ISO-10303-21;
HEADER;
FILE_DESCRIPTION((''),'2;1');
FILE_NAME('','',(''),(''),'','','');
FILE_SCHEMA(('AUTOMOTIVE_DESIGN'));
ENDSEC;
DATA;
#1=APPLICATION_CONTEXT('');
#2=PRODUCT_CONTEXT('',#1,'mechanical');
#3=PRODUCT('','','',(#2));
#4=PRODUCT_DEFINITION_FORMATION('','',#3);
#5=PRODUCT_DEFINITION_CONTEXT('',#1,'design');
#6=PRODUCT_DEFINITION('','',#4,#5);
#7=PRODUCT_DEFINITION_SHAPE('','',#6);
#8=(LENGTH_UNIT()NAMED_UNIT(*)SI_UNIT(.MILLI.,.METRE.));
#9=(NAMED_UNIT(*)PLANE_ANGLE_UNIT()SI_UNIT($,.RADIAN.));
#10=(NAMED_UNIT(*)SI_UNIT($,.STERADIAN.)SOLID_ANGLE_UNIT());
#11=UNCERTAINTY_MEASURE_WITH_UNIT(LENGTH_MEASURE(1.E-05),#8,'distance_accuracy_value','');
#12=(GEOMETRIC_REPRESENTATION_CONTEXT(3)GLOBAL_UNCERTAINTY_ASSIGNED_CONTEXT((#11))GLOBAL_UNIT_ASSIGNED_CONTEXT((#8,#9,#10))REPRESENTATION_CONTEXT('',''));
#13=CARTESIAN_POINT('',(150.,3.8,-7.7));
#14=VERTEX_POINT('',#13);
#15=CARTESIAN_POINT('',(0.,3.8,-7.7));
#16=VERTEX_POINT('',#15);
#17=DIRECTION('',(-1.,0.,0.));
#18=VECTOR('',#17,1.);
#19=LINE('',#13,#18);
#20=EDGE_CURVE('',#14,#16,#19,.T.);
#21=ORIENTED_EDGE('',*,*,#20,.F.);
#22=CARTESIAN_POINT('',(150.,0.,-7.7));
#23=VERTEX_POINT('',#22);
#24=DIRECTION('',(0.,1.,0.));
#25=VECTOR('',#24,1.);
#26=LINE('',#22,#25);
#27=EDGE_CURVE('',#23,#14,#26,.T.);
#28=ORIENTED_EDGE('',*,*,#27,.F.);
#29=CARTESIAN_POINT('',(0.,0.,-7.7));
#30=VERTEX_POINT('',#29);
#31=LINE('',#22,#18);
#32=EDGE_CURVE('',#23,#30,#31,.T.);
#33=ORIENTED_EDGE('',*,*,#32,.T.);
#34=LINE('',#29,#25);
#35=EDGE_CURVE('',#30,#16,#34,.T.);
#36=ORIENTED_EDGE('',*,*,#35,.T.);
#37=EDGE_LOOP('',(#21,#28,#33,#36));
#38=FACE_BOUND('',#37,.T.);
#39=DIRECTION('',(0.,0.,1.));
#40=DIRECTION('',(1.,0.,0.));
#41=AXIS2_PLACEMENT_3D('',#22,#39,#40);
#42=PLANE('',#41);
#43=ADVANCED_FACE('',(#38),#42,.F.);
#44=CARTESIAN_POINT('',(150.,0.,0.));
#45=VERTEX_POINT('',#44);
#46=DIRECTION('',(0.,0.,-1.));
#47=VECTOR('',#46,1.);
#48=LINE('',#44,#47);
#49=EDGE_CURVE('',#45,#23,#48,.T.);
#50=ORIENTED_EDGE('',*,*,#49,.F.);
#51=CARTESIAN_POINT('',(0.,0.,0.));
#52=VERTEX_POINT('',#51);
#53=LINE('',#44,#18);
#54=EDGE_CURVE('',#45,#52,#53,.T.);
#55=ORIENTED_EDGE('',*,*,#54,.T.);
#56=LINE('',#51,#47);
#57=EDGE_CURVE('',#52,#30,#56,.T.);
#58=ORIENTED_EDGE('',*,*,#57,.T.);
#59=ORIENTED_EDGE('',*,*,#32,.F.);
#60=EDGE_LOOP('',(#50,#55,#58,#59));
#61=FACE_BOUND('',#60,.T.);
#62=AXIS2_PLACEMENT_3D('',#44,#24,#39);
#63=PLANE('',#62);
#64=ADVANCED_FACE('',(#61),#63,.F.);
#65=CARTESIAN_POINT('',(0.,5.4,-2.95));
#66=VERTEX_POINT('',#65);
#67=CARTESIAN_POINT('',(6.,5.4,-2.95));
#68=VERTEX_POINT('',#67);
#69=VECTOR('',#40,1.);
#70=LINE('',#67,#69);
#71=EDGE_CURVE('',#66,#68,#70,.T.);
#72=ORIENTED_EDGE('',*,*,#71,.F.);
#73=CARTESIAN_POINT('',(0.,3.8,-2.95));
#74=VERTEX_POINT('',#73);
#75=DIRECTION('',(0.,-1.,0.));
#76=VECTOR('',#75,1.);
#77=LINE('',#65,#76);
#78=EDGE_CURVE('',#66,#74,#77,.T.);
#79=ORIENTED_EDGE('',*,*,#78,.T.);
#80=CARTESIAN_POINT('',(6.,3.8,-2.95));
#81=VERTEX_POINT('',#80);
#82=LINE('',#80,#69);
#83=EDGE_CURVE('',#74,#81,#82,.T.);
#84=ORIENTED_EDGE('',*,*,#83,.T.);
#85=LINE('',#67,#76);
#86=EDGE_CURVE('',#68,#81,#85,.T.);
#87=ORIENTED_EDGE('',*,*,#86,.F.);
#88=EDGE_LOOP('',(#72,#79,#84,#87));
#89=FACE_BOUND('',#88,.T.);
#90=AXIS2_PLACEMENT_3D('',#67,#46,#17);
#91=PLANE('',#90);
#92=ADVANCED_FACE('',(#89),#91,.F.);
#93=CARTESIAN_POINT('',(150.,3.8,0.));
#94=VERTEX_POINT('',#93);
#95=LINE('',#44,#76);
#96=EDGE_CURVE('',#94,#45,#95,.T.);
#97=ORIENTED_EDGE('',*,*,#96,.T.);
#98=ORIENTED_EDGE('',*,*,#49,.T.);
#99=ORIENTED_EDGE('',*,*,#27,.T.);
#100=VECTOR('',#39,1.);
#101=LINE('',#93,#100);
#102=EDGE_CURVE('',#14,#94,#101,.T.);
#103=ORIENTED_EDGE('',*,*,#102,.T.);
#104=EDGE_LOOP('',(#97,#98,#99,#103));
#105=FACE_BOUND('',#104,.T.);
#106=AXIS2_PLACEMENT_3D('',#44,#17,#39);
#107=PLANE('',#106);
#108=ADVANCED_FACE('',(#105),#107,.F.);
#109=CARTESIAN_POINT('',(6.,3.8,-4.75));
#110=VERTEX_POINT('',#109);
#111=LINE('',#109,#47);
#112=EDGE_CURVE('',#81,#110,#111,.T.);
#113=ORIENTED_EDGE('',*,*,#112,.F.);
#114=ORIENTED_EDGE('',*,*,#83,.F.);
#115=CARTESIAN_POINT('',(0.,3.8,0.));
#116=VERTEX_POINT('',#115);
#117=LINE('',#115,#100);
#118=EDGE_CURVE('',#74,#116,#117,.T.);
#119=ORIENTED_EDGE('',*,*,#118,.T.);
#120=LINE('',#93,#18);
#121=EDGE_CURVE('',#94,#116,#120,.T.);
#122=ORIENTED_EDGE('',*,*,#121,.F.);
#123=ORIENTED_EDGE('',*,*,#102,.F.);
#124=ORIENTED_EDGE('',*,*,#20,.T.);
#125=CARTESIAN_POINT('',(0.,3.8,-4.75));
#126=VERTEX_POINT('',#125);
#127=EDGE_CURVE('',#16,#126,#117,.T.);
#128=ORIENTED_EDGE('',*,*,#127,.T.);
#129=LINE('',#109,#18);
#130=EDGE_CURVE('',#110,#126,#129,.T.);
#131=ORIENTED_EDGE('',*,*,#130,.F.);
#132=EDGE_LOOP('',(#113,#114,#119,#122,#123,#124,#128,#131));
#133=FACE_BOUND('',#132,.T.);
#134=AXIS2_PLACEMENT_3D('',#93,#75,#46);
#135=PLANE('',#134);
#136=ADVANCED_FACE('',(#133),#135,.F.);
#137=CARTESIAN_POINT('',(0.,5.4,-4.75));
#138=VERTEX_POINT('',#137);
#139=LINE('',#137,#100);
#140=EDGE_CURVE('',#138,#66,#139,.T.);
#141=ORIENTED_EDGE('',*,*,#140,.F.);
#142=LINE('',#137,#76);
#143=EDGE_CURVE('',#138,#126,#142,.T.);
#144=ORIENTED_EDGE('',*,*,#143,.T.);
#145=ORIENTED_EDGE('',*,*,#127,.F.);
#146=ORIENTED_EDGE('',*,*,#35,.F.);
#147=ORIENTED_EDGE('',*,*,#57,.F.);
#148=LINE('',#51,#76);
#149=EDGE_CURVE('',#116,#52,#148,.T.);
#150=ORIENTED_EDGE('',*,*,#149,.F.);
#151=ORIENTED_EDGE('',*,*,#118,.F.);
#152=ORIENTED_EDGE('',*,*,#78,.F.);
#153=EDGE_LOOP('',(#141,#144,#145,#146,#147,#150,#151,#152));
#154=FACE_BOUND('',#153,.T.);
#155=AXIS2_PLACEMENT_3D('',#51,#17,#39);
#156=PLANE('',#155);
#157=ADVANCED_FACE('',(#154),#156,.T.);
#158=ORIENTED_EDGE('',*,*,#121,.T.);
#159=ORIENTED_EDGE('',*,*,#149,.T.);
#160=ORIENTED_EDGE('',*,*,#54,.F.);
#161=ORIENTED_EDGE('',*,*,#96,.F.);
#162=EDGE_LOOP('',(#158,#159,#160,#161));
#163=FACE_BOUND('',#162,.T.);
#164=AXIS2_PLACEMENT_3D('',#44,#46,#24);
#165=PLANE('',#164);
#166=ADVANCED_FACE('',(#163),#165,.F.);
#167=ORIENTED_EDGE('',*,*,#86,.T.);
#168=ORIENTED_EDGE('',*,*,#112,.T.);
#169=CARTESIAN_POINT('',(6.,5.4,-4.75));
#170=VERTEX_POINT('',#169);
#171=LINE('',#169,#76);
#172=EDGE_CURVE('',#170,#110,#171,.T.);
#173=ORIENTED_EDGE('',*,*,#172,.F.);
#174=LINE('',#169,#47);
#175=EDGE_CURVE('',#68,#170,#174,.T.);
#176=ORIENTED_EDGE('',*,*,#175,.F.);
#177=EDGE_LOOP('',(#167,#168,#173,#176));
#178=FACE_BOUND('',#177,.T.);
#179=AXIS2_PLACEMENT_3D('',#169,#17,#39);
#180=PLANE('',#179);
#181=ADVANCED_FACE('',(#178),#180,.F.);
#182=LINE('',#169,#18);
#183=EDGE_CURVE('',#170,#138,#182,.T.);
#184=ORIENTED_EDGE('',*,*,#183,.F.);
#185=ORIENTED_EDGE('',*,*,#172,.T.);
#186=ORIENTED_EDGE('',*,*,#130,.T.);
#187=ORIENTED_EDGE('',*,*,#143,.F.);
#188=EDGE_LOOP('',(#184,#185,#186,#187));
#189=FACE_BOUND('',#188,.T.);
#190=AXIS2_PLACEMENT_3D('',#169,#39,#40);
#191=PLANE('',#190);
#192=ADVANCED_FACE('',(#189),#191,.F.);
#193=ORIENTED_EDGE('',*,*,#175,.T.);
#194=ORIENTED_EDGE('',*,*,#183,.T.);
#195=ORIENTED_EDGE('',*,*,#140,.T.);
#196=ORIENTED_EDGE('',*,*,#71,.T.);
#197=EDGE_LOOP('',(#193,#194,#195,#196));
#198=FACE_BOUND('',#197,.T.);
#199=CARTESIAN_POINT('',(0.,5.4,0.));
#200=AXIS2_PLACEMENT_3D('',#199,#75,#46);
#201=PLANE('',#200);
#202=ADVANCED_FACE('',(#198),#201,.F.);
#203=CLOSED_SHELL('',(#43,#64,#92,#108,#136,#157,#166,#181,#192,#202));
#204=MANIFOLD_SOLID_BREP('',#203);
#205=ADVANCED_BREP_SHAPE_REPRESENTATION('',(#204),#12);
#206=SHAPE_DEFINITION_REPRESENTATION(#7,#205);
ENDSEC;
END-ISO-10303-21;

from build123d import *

# Parameters (mm, degrees)
SKETCH1_W           = 7.7
SKETCH1_H           = 3.8
BOSS_EXTRUDE1_DEPTH = 150
SKETCH2_W           = 6
SKETCH2_H           = 1.8
BOSS_EXTRUDE2_DEPTH = 1.6


with BuildPart() as part:
    # Sketch1 → Boss-Extrude1 (new body)
    with BuildSketch(Plane(origin=(0, 0, 0), x_dir=(0, 0, -1), z_dir=(1, 0, 0))):
        with Locations((3.85, 1.9)):
            Rectangle(SKETCH1_W, SKETCH1_H)
    extrude(amount=BOSS_EXTRUDE1_DEPTH)

    # Sketch2 → Boss-Extrude2 (add)
    with BuildSketch(Plane(origin=(0, 3.8, 0), x_dir=(1, 0, 0), z_dir=(0, 1, 0))):
        with Locations((3, 3.85)):
            Rectangle(SKETCH2_W, SKETCH2_H)
    extrude(amount=BOSS_EXTRUDE2_DEPTH)


solid = part.part
